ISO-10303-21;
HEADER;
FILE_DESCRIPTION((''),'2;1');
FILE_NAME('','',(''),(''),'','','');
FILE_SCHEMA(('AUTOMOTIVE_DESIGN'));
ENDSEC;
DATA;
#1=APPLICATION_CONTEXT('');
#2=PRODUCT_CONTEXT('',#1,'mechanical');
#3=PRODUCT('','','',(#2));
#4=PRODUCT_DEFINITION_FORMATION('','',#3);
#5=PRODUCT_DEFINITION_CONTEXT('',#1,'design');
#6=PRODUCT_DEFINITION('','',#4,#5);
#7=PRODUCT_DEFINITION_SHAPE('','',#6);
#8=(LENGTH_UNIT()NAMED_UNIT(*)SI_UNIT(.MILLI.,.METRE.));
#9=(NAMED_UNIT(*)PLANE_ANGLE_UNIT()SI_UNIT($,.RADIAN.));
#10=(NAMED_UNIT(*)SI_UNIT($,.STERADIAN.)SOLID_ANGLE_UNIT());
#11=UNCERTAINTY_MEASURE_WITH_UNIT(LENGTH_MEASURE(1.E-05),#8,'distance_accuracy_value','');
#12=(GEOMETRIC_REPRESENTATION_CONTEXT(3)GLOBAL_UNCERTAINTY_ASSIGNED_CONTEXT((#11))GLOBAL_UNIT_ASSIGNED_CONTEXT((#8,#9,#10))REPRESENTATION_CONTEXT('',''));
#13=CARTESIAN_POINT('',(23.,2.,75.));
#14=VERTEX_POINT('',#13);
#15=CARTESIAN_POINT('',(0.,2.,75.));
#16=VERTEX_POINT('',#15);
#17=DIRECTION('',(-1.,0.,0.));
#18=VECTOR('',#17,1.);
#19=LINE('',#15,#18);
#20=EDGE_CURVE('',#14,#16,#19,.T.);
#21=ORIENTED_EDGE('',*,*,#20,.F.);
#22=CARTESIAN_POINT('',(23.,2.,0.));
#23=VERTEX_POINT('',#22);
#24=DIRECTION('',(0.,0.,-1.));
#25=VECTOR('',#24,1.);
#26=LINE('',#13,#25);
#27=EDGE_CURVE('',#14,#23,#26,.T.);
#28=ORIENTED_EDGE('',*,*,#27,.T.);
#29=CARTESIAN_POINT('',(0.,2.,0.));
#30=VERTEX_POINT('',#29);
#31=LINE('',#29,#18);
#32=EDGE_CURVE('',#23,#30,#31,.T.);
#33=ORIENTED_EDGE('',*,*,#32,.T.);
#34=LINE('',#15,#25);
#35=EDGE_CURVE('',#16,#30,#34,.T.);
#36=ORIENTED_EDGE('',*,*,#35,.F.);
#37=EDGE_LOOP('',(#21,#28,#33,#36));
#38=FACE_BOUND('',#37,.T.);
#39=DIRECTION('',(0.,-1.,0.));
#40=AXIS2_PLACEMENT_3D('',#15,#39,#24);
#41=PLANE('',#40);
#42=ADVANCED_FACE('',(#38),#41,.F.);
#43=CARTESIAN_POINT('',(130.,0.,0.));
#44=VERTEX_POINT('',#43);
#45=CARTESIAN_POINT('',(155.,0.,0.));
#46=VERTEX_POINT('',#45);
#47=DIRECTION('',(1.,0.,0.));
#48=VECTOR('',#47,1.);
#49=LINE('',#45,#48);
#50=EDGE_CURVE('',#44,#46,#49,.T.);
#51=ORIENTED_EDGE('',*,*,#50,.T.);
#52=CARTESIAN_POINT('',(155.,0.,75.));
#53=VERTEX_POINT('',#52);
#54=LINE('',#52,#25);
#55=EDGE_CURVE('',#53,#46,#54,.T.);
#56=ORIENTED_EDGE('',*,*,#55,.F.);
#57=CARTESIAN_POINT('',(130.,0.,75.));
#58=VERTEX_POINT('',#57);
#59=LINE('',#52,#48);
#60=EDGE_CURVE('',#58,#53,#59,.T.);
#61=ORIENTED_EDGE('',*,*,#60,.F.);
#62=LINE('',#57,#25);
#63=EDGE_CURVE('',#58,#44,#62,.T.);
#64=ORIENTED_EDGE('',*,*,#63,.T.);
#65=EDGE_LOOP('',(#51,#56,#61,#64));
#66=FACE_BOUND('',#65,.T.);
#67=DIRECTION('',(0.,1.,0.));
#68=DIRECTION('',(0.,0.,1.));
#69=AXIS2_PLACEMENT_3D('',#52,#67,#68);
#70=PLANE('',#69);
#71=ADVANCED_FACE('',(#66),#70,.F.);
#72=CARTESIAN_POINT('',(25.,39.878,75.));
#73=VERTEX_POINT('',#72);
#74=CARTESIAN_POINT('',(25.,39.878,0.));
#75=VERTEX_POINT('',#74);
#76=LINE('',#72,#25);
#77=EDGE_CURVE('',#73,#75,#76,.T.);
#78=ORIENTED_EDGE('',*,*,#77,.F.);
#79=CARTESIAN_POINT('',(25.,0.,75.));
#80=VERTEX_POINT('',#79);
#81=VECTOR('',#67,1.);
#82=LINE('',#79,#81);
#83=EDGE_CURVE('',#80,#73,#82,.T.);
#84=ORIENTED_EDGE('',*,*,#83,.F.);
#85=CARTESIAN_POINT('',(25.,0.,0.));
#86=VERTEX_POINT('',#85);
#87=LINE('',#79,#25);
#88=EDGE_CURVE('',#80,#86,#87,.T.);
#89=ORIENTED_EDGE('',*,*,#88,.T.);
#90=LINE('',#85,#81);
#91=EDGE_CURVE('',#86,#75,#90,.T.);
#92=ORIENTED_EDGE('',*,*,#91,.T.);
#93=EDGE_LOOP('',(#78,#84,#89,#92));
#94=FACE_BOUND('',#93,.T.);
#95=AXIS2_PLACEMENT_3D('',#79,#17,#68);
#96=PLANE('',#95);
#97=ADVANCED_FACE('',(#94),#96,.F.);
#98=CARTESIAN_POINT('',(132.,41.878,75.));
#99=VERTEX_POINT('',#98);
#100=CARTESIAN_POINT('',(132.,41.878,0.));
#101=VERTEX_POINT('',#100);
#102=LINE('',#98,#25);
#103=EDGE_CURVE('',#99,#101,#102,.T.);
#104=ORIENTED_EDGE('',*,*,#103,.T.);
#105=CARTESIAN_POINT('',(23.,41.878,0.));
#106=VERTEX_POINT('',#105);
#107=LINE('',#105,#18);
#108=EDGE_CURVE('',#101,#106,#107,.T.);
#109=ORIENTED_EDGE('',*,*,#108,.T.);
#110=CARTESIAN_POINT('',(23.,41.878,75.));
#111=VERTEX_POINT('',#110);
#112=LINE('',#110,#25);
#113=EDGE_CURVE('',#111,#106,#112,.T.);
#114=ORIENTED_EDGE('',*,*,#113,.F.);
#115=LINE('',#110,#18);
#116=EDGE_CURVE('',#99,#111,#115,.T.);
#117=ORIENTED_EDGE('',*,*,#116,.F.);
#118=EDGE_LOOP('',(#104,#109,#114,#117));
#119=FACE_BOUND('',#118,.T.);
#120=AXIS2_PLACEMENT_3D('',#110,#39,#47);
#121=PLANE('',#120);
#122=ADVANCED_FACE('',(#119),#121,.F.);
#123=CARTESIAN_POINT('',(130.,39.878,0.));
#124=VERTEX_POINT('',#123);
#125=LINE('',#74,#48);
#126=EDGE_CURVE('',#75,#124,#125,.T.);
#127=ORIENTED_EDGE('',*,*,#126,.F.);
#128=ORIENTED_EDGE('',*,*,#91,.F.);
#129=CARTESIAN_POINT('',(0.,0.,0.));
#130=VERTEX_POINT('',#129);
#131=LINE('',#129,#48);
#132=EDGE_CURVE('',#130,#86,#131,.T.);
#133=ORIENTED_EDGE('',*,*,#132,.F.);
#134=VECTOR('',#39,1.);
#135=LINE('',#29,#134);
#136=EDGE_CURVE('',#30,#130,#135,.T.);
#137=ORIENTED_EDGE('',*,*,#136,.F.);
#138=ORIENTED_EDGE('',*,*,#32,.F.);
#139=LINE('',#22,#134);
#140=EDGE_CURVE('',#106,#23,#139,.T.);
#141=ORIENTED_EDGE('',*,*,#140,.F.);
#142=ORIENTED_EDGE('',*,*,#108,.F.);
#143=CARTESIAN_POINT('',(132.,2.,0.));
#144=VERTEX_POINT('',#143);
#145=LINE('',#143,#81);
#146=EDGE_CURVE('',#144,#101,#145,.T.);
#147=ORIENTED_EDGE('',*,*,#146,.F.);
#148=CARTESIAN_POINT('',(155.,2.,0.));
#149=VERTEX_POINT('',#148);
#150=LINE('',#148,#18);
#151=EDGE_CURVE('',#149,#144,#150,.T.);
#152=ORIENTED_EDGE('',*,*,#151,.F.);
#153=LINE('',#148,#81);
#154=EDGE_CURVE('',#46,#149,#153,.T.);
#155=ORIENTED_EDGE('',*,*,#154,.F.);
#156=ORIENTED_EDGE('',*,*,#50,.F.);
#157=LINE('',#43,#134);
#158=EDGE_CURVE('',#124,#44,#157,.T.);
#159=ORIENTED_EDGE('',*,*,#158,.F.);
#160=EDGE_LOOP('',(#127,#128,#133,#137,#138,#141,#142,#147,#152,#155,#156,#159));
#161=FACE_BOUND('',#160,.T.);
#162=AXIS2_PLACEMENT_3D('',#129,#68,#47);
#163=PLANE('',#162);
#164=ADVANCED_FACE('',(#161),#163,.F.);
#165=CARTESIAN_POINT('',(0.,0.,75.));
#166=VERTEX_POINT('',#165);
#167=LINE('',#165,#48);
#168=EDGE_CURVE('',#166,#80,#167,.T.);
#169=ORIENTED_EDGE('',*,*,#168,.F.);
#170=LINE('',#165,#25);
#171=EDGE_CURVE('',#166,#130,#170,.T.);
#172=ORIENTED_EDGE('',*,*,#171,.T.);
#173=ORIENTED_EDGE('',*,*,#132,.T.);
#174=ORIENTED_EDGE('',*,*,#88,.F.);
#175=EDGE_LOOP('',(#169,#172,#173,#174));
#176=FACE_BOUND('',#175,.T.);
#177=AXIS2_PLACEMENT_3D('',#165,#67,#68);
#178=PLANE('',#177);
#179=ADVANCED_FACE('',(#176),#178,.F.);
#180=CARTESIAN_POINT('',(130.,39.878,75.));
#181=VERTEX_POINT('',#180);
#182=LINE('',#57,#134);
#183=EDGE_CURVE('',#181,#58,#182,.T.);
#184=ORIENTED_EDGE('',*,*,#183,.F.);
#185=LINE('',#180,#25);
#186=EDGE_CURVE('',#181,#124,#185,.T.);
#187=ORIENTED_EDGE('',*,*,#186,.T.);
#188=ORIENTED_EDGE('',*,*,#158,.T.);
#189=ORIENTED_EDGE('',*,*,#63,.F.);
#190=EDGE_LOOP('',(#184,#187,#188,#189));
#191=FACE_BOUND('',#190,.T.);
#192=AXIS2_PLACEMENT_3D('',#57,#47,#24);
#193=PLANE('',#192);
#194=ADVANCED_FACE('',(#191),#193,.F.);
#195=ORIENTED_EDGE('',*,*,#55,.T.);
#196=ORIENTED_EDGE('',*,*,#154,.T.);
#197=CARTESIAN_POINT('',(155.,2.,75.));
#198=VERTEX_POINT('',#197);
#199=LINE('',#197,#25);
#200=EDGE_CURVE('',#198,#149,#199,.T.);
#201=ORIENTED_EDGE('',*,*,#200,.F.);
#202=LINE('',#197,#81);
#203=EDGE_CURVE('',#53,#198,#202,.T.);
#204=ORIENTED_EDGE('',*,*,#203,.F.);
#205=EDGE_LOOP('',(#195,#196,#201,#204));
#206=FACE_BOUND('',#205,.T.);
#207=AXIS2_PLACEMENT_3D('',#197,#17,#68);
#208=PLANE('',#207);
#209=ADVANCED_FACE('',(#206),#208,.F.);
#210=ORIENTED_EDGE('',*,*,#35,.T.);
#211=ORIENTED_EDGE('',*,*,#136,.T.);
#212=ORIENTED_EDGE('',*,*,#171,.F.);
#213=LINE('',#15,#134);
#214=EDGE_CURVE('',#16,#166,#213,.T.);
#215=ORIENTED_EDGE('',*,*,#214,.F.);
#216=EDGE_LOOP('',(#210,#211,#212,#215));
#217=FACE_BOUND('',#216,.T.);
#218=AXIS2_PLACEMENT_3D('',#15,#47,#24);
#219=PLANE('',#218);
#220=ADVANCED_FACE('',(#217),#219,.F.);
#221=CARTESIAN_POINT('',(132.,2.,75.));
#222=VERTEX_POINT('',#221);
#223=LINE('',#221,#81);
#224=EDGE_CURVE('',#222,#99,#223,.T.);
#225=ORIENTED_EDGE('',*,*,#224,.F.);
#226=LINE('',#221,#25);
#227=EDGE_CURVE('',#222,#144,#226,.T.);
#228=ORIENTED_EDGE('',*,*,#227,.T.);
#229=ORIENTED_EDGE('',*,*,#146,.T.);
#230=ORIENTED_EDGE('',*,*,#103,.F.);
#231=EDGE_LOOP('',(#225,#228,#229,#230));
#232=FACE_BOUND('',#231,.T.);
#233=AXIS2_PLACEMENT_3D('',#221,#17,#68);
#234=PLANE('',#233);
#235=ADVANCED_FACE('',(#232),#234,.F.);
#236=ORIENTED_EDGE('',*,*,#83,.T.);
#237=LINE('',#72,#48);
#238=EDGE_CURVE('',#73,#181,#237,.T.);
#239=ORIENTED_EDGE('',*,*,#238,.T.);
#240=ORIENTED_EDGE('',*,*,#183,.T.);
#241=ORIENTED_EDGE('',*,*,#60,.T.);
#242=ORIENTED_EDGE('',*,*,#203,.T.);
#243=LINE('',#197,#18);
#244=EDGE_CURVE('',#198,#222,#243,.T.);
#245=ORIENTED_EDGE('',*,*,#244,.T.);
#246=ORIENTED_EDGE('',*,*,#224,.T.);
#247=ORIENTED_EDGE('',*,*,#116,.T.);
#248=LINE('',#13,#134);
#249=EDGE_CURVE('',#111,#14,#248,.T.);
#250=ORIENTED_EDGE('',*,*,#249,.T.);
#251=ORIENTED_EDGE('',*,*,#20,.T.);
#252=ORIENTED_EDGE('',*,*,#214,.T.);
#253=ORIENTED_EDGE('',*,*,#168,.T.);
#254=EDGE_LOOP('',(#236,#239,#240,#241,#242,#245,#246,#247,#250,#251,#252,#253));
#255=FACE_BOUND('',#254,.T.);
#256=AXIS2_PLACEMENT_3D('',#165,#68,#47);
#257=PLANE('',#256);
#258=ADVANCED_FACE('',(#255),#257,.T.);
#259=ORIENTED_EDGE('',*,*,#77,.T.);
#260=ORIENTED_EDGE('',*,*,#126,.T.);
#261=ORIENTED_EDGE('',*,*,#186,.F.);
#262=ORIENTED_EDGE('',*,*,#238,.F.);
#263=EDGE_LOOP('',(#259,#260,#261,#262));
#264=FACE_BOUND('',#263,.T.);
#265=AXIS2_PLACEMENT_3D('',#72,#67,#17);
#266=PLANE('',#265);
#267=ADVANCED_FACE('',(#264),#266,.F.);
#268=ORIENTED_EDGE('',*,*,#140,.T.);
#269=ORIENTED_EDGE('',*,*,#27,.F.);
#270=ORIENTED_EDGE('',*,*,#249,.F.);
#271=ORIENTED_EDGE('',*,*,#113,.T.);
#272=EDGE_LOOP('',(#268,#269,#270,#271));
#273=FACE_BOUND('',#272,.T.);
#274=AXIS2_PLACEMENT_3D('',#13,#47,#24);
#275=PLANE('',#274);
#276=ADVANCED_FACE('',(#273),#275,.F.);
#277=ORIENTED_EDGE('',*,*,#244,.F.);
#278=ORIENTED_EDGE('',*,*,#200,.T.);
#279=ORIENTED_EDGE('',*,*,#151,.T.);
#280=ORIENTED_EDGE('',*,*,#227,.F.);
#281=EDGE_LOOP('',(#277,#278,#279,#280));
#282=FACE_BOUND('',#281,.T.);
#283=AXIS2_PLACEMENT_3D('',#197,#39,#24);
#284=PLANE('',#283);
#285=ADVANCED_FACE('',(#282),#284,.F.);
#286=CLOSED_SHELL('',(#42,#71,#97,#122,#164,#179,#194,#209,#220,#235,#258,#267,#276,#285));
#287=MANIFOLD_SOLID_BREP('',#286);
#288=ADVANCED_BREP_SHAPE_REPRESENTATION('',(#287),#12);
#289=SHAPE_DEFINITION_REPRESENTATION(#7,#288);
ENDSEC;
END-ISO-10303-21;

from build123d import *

# Parameters (mm, degrees)
BOSS_EXTRUDE1_DEPTH = 75


with BuildPart() as part:
    # Sketch1 → Boss-Extrude1 (new body)
    with BuildSketch(Plane.XY):
        Polygon((0, 0), (25, 0), (25, 39.878), (130, 39.878), (130, 0), (155, 0), (155, 2), (132, 2), (132, 41.878), (23, 41.878), (23, 2), (0, 2), align=None)
    extrude(amount=BOSS_EXTRUDE1_DEPTH)


solid = part.part
